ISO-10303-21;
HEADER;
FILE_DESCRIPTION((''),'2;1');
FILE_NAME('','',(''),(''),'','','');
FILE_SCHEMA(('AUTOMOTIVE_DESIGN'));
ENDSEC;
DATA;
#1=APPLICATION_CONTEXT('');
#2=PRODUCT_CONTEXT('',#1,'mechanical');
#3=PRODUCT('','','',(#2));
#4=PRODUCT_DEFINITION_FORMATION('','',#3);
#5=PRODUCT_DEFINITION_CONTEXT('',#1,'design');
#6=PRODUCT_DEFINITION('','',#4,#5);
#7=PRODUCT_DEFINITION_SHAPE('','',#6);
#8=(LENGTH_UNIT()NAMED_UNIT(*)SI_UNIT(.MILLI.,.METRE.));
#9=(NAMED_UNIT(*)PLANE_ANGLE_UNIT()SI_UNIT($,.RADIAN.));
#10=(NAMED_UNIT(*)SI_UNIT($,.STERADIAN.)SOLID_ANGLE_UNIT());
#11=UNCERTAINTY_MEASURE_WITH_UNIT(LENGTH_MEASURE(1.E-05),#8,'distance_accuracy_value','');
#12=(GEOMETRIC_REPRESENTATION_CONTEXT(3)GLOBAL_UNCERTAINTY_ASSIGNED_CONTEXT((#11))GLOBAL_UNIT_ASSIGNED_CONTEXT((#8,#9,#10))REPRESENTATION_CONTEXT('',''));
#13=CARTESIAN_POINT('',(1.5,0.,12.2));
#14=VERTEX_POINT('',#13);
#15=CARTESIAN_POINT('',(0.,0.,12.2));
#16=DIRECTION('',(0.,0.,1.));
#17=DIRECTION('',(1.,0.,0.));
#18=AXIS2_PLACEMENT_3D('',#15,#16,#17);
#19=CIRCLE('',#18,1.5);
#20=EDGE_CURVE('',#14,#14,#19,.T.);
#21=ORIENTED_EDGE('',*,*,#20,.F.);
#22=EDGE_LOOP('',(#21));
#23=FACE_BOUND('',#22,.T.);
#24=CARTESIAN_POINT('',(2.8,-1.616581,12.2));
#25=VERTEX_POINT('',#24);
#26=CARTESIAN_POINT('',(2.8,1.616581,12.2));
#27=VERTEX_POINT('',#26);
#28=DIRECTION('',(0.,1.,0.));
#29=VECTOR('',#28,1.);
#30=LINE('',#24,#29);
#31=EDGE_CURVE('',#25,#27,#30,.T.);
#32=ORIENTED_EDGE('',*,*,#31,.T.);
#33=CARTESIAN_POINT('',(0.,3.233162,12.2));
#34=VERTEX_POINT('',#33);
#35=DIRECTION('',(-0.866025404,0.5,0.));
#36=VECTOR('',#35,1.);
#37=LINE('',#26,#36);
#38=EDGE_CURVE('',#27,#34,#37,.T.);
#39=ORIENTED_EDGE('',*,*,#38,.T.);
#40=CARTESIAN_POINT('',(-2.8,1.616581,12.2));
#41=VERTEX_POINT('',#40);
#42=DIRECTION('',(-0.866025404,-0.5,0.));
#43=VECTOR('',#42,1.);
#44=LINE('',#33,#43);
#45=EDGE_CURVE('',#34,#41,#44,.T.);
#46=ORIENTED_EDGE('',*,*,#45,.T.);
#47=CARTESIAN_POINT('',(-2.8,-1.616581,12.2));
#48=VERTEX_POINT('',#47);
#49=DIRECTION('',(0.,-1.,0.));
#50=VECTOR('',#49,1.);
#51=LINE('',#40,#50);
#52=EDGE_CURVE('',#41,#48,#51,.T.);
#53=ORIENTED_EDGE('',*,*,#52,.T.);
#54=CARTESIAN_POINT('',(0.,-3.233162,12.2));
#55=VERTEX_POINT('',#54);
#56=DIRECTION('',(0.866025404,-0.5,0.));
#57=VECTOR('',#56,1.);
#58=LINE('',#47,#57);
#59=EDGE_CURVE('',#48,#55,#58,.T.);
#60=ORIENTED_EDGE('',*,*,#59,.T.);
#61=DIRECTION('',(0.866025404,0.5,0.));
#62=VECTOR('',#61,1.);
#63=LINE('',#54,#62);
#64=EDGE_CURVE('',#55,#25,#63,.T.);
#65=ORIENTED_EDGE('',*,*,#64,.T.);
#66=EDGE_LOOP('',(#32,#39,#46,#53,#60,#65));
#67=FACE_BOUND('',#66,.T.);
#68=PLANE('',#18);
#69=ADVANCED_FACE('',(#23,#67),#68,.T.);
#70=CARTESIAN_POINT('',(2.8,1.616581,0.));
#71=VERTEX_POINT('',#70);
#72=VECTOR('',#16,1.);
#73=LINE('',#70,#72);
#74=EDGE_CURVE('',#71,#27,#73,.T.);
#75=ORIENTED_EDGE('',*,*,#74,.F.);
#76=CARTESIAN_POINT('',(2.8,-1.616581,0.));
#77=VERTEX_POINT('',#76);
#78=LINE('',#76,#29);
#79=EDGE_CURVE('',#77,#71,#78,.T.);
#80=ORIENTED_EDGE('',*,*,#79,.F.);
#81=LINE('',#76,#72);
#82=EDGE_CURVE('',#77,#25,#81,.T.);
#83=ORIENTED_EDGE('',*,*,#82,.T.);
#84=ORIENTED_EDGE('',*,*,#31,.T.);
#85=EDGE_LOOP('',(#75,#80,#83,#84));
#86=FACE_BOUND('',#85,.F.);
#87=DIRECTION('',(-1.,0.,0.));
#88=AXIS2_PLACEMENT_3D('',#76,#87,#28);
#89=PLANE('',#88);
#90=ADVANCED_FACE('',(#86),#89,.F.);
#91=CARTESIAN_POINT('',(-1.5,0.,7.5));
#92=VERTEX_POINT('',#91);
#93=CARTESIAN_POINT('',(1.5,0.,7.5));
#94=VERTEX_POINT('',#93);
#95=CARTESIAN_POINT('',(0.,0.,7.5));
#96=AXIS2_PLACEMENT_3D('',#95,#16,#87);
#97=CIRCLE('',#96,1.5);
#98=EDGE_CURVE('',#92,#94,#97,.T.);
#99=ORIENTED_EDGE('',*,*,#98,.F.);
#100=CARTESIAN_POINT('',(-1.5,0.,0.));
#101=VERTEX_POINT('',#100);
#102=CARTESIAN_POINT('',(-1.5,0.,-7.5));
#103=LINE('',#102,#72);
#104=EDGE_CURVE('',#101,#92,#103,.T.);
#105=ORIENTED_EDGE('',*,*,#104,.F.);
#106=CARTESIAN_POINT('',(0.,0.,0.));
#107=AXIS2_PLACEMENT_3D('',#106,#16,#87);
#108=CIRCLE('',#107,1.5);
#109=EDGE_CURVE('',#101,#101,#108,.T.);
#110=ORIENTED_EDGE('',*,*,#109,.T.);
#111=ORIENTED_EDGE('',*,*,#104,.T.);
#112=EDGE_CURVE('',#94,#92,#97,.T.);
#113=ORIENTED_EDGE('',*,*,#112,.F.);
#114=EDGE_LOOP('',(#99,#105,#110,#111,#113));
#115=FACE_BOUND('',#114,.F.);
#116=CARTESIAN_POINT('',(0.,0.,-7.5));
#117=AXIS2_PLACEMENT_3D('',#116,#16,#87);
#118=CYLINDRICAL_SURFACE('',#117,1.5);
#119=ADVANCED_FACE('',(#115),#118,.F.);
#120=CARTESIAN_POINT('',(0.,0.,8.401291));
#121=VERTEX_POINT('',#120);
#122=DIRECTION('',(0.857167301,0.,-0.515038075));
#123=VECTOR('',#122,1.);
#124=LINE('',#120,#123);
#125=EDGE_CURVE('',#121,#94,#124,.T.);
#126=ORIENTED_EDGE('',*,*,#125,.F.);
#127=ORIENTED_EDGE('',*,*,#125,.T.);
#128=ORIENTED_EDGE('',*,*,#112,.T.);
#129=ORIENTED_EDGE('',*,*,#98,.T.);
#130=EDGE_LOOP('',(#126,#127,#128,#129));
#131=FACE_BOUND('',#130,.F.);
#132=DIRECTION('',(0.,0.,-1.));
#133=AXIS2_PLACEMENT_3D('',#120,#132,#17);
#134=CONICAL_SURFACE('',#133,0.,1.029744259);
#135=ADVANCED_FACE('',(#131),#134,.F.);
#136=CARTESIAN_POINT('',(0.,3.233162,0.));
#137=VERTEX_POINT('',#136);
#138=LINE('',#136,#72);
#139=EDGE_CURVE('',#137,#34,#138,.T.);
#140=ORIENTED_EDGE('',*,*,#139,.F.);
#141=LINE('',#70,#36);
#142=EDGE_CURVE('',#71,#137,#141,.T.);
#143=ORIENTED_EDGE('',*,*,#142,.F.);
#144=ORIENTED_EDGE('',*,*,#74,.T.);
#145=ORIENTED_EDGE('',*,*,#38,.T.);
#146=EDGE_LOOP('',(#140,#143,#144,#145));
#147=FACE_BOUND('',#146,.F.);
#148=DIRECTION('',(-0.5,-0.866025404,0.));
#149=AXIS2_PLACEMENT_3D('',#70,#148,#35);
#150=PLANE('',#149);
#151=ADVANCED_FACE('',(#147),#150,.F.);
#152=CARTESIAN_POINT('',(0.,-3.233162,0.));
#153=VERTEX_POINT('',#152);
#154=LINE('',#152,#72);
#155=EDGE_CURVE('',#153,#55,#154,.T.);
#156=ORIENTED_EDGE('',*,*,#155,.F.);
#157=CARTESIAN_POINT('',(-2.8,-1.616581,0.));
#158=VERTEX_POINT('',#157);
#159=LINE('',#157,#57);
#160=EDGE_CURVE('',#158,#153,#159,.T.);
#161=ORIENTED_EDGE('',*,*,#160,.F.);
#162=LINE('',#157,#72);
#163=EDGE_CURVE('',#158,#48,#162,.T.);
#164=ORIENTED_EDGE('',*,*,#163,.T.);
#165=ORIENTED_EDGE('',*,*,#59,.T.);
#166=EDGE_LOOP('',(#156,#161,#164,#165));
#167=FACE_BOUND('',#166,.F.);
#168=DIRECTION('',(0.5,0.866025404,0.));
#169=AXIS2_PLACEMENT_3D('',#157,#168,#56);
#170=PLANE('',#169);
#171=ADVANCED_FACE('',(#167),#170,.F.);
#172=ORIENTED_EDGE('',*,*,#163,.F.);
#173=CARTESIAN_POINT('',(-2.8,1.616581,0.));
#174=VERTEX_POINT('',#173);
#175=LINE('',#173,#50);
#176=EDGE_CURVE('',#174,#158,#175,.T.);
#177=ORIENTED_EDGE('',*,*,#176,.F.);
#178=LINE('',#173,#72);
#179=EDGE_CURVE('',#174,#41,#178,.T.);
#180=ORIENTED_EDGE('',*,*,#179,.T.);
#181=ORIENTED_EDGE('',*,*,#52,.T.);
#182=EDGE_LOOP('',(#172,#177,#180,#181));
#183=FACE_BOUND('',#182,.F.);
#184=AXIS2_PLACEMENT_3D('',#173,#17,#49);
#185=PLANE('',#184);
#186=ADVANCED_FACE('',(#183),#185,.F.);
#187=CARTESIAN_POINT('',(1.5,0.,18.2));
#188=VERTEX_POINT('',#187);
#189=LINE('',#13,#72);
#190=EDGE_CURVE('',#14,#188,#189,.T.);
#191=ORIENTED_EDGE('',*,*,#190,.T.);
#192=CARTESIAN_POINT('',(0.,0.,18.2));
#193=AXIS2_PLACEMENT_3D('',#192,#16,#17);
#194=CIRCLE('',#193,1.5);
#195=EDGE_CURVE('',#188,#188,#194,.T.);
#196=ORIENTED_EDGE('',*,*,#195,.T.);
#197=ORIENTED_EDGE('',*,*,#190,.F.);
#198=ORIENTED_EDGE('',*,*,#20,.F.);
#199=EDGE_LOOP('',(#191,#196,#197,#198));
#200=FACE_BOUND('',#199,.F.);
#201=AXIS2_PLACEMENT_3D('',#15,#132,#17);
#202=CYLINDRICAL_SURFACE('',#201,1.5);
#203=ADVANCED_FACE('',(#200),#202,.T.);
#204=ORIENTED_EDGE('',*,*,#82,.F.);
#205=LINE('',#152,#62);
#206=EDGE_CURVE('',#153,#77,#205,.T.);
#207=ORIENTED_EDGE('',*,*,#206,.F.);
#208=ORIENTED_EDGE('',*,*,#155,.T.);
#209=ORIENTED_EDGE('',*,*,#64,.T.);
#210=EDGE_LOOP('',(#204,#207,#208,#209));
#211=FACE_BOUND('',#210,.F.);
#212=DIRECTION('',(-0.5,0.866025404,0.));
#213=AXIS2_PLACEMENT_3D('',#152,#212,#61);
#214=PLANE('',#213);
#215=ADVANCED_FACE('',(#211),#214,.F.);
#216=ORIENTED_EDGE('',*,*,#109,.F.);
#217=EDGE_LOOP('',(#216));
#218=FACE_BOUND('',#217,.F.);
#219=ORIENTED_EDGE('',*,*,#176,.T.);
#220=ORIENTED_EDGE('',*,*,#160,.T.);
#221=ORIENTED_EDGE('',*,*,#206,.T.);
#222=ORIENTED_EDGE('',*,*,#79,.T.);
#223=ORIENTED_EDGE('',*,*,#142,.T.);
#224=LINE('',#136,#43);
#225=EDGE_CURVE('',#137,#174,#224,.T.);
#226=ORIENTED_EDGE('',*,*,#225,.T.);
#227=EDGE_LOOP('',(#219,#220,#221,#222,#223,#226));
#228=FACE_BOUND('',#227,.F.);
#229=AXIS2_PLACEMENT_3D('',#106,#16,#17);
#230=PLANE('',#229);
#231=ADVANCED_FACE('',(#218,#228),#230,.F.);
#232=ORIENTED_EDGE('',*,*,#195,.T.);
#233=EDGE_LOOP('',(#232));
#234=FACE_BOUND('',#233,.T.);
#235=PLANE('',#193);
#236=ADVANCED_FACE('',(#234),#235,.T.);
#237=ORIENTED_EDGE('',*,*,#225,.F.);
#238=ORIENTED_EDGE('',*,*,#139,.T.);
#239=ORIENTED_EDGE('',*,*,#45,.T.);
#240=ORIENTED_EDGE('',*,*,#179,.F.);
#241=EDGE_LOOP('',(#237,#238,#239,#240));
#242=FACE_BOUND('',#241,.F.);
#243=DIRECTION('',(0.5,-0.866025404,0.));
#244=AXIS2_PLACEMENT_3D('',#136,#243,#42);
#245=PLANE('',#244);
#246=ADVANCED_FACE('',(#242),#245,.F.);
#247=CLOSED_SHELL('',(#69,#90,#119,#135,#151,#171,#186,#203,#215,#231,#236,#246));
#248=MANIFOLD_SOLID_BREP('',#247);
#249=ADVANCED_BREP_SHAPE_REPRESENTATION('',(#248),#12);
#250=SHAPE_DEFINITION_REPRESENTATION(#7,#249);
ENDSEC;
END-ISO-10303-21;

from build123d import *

# Parameters (mm, degrees)
F1_DEPTH = 12.2
F2_D     = 3
F2_DEPTH = 7.5
F2_TIP   = 0.9012909285
F3_R     = 1.5
F4_DEPTH = 6


with BuildPart() as f1:
    # F0 (on Top) → F1 (new body)
    with BuildSketch(Plane.XY):
        Polygon((2.8, -1.6165807537), (2.8, 1.6165807537), (0, 3.2331615075), (-2.8, 1.6165807537), (-2.8, -1.6165807537), (0, -3.2331615075), align=None)
    extrude(amount=F1_DEPTH)

    # F2
    with Locations(Plane(origin=(0, 0, 0), x_dir=(1, 0, 0), z_dir=(0, 0, -1))):
        with Locations((0, 0)):
            Hole(F2_D / 2, depth=F2_DEPTH)
            with Locations((0, 0, -(F2_DEPTH + F2_TIP / 2))):  # 118° drill point
                Cone(0, F2_D / 2, F2_TIP, mode=Mode.SUBTRACT)

    # F3 (on face) → F4 (join)
    with BuildSketch(Plane.XY.offset(12.2)):
        Circle(F3_R)
    extrude(amount=F4_DEPTH)


solid = f1.part
